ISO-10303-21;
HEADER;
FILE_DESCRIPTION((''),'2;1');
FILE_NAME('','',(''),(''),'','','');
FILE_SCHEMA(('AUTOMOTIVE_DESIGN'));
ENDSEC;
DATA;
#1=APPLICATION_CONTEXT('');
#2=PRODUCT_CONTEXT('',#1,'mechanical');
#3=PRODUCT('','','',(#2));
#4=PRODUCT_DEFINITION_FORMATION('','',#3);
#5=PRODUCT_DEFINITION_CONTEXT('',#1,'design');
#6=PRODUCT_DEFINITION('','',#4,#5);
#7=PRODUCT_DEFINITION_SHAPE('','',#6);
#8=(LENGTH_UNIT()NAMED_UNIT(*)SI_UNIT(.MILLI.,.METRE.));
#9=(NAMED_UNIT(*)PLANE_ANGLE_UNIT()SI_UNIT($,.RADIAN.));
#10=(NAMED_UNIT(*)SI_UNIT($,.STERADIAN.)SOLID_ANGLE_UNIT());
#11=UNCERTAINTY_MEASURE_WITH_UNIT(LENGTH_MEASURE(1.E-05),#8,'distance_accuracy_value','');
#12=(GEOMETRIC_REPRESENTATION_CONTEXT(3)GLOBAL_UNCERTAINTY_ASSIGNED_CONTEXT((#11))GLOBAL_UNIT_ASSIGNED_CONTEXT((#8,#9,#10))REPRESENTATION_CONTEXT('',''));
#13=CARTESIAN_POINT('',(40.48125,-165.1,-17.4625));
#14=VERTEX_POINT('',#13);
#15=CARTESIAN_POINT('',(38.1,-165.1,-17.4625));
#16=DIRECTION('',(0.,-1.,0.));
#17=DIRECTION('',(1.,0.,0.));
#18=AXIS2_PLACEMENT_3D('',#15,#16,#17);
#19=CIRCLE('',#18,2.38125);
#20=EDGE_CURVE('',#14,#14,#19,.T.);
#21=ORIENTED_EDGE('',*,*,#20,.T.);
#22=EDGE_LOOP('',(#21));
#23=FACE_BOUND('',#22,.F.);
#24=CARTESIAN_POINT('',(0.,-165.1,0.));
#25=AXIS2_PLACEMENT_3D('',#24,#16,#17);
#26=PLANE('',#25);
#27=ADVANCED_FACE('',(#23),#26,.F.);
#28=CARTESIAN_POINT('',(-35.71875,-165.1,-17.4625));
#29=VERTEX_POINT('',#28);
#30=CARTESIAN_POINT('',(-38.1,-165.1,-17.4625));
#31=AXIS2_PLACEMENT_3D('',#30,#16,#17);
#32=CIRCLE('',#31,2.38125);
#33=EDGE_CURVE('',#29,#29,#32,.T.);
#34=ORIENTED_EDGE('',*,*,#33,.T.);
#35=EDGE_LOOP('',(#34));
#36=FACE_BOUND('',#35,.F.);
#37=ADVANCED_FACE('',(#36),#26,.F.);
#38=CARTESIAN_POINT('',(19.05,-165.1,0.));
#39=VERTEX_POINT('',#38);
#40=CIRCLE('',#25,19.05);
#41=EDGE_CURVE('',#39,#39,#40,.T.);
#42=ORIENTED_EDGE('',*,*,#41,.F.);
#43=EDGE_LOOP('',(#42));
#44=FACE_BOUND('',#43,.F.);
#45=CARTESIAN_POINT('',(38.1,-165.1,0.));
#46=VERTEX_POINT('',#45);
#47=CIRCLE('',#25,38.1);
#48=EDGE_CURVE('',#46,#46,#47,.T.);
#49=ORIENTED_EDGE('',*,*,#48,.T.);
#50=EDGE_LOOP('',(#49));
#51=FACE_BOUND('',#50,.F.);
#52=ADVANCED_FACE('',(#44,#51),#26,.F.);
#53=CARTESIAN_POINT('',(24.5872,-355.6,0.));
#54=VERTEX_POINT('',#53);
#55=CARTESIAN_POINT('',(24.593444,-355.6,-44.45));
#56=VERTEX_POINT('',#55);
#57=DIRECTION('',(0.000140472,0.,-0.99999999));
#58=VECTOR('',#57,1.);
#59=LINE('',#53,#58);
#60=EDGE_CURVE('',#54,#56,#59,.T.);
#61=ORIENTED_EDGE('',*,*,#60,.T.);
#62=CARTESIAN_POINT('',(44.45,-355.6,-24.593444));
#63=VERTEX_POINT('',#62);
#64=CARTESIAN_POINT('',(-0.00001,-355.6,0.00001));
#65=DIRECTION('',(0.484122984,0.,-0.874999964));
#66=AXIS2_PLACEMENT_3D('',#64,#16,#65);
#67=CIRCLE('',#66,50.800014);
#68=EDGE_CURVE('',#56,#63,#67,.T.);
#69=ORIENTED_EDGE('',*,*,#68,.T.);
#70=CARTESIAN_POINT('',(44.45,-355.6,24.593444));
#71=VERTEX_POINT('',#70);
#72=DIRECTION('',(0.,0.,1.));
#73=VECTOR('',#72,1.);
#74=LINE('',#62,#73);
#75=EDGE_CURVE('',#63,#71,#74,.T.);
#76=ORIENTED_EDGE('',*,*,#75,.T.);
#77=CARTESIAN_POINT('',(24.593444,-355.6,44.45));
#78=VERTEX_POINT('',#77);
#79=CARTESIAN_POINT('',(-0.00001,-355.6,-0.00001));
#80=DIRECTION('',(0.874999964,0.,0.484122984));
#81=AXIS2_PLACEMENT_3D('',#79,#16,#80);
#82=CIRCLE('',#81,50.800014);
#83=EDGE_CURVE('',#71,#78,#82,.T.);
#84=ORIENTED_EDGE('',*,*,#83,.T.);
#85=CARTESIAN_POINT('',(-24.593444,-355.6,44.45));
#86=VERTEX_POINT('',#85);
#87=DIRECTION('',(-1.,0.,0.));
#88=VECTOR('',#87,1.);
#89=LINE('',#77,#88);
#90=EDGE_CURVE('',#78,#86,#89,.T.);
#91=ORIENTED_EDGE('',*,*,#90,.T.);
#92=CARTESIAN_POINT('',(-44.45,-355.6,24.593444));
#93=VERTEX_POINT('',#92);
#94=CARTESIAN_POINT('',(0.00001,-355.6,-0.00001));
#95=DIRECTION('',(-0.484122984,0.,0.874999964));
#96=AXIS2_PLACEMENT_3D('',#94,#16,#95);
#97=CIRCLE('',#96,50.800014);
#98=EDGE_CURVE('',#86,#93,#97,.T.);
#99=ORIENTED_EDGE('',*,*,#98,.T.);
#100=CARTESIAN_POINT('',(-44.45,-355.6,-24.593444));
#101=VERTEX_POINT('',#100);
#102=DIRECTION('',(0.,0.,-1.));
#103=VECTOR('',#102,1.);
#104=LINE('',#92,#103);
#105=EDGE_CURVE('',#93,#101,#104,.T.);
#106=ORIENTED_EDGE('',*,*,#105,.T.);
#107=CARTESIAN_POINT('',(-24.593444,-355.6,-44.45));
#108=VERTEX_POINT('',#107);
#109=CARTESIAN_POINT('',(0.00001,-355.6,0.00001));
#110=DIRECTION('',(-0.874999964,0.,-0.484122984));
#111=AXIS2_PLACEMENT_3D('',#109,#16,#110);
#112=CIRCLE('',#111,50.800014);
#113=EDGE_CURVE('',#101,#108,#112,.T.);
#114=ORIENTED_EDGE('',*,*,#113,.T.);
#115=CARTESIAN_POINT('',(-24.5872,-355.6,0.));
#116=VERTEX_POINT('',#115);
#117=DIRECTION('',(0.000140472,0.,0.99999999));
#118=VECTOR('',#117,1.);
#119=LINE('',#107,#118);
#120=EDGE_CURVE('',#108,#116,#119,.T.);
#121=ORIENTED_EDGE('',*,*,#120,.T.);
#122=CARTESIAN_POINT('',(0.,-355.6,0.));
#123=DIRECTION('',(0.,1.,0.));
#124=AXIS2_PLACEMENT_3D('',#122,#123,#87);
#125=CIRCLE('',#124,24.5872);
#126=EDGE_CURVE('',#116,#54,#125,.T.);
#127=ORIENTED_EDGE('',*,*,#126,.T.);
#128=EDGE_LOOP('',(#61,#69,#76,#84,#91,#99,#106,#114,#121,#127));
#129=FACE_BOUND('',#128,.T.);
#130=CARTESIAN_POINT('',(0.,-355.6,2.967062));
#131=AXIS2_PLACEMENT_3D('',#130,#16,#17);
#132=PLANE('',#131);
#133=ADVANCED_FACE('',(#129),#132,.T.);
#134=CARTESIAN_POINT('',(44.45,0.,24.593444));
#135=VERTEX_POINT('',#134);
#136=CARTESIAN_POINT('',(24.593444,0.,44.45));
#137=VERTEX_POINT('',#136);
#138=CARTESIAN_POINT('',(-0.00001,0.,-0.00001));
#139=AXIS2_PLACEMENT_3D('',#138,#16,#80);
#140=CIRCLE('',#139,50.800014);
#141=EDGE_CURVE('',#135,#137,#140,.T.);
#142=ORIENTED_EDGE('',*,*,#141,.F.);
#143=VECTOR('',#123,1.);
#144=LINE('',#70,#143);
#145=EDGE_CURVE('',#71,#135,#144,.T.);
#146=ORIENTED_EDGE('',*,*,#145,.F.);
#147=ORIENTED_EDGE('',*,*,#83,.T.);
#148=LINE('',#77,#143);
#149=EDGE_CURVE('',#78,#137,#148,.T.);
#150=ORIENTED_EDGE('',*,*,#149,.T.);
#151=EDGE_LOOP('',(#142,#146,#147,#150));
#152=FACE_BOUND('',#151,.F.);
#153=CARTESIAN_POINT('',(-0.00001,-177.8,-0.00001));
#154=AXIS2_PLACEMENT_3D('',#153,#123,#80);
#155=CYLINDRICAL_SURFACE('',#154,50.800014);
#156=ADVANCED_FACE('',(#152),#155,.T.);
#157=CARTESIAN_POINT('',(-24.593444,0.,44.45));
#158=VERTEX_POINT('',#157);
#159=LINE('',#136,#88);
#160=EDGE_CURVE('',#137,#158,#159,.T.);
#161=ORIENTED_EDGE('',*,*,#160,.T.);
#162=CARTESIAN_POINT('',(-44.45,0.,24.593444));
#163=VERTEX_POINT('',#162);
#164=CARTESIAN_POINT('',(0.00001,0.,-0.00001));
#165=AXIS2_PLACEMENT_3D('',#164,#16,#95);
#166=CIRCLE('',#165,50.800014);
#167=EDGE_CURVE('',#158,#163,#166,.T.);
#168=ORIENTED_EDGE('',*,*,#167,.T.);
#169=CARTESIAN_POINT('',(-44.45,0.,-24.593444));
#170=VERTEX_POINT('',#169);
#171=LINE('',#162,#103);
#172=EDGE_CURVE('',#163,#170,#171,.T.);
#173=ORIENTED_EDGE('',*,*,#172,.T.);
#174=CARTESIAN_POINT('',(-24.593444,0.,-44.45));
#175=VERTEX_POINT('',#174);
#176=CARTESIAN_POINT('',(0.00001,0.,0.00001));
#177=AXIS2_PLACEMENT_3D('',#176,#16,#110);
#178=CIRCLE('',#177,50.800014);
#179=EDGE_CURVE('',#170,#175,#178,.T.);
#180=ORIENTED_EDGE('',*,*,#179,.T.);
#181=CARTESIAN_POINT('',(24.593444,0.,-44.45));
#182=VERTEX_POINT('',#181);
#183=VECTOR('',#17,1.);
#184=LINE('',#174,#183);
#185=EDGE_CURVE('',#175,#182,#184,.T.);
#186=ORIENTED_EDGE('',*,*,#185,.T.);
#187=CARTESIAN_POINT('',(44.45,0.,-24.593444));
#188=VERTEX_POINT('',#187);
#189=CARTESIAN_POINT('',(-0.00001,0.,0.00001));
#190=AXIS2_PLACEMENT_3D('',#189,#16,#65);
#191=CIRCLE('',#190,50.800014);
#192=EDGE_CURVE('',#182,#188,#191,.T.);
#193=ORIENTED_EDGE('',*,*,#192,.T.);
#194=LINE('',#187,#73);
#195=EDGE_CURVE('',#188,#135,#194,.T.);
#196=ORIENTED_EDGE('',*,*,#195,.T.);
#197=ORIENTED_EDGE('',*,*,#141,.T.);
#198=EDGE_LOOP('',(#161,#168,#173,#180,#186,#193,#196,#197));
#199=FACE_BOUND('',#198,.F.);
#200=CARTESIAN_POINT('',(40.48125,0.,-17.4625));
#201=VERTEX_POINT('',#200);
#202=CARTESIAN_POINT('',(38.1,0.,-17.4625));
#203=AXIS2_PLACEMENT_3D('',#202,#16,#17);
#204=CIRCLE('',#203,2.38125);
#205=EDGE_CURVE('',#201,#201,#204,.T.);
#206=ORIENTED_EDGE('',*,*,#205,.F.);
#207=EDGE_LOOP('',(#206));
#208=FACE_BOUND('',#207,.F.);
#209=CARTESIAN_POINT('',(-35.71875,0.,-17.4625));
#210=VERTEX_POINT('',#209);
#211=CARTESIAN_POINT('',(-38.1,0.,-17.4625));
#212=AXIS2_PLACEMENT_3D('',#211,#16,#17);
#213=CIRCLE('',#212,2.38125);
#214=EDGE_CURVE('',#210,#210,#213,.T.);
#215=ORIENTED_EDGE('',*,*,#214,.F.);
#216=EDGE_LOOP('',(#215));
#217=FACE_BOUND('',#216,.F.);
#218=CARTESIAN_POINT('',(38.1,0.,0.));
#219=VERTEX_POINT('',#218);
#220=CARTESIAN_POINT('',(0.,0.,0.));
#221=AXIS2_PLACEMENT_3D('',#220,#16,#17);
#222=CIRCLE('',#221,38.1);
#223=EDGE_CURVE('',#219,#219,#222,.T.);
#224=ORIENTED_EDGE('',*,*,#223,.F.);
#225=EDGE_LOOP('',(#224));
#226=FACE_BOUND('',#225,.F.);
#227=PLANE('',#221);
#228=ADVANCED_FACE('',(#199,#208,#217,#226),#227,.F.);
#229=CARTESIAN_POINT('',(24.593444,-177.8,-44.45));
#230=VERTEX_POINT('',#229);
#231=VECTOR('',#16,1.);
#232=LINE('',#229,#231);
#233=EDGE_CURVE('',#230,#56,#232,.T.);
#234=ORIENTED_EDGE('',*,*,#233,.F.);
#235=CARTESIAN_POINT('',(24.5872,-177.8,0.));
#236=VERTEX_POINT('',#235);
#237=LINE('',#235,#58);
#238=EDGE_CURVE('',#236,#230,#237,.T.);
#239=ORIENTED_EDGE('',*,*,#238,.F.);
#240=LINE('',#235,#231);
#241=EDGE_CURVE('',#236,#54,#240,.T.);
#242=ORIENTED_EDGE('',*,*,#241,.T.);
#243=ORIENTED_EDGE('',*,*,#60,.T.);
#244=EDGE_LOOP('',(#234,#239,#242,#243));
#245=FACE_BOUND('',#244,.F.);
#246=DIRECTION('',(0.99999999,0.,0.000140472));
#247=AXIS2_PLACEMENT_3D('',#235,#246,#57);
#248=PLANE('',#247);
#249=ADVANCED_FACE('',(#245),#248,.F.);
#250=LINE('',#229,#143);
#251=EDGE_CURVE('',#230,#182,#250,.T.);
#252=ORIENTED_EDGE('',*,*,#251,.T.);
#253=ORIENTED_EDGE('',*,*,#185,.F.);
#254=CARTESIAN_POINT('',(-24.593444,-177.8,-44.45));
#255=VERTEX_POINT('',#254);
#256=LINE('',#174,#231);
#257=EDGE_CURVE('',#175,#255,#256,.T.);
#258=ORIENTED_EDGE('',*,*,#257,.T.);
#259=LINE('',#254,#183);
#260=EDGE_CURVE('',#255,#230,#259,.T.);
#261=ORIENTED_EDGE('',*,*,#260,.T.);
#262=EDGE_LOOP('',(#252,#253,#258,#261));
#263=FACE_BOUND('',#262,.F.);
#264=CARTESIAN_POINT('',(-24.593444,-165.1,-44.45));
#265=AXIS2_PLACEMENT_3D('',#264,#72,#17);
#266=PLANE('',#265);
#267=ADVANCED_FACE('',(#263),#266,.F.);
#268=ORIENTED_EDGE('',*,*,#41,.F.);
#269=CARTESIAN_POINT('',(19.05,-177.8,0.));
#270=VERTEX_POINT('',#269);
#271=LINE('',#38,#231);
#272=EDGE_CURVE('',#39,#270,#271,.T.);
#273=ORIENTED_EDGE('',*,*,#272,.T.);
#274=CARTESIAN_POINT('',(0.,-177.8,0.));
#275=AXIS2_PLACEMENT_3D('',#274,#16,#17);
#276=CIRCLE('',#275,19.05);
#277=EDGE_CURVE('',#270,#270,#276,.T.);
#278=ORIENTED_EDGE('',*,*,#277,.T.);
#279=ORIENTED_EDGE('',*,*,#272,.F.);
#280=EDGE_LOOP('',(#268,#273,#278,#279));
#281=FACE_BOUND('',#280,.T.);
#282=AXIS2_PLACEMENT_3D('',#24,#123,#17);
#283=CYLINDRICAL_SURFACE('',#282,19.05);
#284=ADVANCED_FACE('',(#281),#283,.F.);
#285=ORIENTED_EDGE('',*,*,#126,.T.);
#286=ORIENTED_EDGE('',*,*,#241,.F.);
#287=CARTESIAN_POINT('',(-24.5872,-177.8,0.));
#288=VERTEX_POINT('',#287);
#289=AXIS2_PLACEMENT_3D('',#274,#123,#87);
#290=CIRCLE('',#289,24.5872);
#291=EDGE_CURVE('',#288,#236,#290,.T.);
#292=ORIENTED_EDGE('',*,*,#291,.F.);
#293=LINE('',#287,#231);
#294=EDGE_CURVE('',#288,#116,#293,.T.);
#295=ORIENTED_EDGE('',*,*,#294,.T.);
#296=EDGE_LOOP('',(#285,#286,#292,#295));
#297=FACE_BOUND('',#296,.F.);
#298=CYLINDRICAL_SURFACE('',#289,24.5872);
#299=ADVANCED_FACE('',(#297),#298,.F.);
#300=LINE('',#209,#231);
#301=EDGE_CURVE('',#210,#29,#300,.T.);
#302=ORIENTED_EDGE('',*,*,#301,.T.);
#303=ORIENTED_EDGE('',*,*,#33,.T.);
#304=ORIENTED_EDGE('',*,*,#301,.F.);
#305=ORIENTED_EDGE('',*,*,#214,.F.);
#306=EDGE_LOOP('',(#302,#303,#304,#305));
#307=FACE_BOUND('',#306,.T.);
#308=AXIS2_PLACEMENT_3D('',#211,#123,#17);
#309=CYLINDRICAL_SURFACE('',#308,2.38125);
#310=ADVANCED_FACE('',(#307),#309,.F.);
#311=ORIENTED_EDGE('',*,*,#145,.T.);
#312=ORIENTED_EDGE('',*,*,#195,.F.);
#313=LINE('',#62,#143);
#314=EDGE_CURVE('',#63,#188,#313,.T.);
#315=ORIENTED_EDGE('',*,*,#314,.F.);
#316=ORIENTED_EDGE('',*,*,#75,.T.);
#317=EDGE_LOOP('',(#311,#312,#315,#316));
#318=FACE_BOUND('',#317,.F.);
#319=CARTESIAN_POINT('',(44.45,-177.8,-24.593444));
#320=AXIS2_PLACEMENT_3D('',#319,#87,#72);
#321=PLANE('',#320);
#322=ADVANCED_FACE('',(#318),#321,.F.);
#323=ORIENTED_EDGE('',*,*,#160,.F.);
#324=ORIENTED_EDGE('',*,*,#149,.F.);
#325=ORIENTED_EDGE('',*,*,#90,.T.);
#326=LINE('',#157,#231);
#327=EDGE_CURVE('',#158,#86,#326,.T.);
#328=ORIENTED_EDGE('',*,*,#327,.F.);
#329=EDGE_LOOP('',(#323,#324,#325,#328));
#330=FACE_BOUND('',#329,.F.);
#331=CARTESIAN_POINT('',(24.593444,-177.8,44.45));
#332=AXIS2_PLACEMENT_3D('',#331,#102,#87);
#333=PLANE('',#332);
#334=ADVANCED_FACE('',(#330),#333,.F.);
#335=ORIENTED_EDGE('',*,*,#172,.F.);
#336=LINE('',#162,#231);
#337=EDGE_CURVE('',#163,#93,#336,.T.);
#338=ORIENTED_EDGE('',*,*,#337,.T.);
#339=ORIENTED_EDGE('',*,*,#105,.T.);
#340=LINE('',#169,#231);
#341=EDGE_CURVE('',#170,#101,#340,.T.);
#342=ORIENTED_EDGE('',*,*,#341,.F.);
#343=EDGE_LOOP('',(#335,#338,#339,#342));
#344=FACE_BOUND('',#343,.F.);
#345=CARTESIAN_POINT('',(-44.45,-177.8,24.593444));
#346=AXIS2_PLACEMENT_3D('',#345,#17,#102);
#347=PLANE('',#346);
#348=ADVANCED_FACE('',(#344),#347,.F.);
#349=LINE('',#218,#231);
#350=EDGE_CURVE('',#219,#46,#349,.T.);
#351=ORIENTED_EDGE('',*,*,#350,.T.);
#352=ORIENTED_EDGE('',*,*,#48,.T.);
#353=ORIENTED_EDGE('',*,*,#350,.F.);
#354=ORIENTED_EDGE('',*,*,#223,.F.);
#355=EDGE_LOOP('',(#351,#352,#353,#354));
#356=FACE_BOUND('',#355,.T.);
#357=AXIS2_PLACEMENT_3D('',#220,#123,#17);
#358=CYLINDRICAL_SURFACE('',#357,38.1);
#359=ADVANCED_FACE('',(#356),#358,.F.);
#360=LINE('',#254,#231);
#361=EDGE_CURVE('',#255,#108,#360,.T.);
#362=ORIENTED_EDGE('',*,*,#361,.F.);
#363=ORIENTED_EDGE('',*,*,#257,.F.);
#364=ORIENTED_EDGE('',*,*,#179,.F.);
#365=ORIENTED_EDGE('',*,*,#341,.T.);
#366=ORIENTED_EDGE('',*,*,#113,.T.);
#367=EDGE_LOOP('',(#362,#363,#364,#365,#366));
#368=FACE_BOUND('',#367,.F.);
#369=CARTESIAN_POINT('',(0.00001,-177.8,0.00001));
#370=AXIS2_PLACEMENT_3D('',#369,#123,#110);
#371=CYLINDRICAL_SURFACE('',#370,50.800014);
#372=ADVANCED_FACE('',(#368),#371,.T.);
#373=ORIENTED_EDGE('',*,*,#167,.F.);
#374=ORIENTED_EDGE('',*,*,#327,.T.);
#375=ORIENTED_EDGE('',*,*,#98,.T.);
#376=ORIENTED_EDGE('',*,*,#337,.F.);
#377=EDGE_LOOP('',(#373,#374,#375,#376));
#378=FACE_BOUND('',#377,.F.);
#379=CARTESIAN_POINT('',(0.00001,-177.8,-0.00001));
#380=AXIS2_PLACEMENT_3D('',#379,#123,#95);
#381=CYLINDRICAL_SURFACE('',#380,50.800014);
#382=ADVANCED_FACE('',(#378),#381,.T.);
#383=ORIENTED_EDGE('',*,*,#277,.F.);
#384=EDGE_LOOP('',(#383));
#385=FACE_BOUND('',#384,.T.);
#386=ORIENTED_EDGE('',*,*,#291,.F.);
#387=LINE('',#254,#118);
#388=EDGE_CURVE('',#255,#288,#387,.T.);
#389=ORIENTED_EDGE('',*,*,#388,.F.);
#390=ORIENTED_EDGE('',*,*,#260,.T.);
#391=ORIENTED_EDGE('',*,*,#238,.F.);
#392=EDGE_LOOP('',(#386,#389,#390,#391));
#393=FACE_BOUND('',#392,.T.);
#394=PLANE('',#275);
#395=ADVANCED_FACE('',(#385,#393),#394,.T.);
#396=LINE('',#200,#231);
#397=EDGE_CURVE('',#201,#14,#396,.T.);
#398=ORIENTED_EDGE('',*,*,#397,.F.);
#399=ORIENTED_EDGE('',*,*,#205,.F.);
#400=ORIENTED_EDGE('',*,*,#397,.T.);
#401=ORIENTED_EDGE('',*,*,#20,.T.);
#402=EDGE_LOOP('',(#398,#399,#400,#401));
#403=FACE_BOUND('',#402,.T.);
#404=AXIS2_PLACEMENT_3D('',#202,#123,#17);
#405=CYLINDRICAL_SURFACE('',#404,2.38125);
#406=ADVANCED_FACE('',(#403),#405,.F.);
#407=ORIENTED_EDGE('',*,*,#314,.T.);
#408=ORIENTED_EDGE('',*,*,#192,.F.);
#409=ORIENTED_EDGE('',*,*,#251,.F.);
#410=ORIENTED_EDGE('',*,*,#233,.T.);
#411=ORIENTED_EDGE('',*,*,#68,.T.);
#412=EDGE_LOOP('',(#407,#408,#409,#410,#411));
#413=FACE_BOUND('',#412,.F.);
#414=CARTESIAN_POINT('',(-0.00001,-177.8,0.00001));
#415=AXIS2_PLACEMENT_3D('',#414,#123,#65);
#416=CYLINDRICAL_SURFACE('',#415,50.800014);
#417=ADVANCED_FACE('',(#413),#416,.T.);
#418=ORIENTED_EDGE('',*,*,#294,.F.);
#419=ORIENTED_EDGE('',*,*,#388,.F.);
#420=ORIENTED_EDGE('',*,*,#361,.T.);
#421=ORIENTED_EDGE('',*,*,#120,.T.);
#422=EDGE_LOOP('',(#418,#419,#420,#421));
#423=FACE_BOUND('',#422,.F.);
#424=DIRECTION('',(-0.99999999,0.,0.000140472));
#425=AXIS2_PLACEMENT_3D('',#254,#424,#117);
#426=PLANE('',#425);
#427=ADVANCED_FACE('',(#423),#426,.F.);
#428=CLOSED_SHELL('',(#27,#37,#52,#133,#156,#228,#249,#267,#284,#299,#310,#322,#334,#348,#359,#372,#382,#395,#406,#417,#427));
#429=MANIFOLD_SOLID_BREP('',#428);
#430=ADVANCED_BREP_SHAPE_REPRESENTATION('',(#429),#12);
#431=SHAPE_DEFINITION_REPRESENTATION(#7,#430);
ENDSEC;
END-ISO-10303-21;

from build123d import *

# Parameters (mm, degrees)
F0_R     = 2.38125
F0_R_2   = 38.1
F1_DEPTH = 165.1
F2_R     = 19.05
F3_DEPTH = 12.7
F5_DEPTH = 177.8


with BuildPart() as f1:
    # F0 (on Front) → F1 (new body)
    with BuildSketch(Plane.XZ):
        with BuildLine():
            Line((24.593444, 44.45), (-24.593444, 44.45))
            ThreePointArc((-24.593444, 44.45), (-35.921024, 35.921024), (-44.45, 24.593444))
            Line((-44.45, 24.593444), (-44.45, -24.593444))
            ThreePointArc((-44.45, -24.593444), (-35.921024, -35.921024), (-24.593444, -44.45))
            Line((-24.593444, -44.45), (24.593444, -44.45))
            ThreePointArc((24.593444, -44.45), (35.921024, -35.921024), (44.45, -24.593444))
            Line((44.45, -24.593444), (44.45, 24.593444))
            ThreePointArc((44.45, 24.593444), (35.921024, 35.921024), (24.593444, 44.45))
        make_face()
        with Locations((-38.1, -17.4625)):
            Circle(F0_R, mode=Mode.SUBTRACT)
        with Locations((38.1, -17.4625)):
            Circle(F0_R, mode=Mode.SUBTRACT)
        Circle(F0_R_2, mode=Mode.SUBTRACT)
    extrude(amount=F1_DEPTH)

    # F2 (on face) → F3 (join)
    with BuildSketch(Plane.XZ.offset(165.1)):
        with BuildLine():
            Line((24.593444, 44.45), (-24.593444, 44.45))
            ThreePointArc((-24.593444, 44.45), (-35.921024, 35.921024), (-44.45, 24.593444))
            Line((-44.45, 24.593444), (-44.45, -24.593444))
            ThreePointArc((-44.45, -24.593444), (-35.921024, -35.921024), (-24.593444, -44.45))
            Line((-24.593444, -44.45), (24.593444, -44.45))
            ThreePointArc((24.593444, -44.45), (35.921024, -35.921024), (44.45, -24.593444))
            Line((44.45, -24.593444), (44.45, 24.593444))
            ThreePointArc((44.45, 24.593444), (35.921024, 35.921024), (24.593444, 44.45))
        make_face()
        Circle(F2_R, mode=Mode.SUBTRACT)
    extrude(amount=F3_DEPTH)

    # F4 (on face) → F5 (join)
    with BuildSketch(Plane.XZ.offset(177.8)):
        with BuildLine():
            Line((24.593444, 44.45), (-24.593444, 44.45))
            ThreePointArc((-24.593444, 44.45), (-35.921024, 35.921024), (-44.45, 24.593444))
            Line((-44.45, 24.593444), (-44.45, -24.593444))
            ThreePointArc((-44.45, -24.593444), (-35.921024, -35.921024), (-24.593444, -44.45))
            Line((-24.593444, -44.45), (-24.5872, 0))
            ThreePointArc((-24.5872, 0), (0, 24.5872), (24.5872, 0))
            Line((24.5872, 0), (24.593444, -44.45))
            ThreePointArc((24.593444, -44.45), (35.921024, -35.921024), (44.45, -24.593444))
            Line((44.45, -24.593444), (44.45, 24.593444))
            ThreePointArc((44.45, 24.593444), (35.921024, 35.921024), (24.593444, 44.45))
        make_face()
    extrude(amount=F5_DEPTH)


solid = f1.part
